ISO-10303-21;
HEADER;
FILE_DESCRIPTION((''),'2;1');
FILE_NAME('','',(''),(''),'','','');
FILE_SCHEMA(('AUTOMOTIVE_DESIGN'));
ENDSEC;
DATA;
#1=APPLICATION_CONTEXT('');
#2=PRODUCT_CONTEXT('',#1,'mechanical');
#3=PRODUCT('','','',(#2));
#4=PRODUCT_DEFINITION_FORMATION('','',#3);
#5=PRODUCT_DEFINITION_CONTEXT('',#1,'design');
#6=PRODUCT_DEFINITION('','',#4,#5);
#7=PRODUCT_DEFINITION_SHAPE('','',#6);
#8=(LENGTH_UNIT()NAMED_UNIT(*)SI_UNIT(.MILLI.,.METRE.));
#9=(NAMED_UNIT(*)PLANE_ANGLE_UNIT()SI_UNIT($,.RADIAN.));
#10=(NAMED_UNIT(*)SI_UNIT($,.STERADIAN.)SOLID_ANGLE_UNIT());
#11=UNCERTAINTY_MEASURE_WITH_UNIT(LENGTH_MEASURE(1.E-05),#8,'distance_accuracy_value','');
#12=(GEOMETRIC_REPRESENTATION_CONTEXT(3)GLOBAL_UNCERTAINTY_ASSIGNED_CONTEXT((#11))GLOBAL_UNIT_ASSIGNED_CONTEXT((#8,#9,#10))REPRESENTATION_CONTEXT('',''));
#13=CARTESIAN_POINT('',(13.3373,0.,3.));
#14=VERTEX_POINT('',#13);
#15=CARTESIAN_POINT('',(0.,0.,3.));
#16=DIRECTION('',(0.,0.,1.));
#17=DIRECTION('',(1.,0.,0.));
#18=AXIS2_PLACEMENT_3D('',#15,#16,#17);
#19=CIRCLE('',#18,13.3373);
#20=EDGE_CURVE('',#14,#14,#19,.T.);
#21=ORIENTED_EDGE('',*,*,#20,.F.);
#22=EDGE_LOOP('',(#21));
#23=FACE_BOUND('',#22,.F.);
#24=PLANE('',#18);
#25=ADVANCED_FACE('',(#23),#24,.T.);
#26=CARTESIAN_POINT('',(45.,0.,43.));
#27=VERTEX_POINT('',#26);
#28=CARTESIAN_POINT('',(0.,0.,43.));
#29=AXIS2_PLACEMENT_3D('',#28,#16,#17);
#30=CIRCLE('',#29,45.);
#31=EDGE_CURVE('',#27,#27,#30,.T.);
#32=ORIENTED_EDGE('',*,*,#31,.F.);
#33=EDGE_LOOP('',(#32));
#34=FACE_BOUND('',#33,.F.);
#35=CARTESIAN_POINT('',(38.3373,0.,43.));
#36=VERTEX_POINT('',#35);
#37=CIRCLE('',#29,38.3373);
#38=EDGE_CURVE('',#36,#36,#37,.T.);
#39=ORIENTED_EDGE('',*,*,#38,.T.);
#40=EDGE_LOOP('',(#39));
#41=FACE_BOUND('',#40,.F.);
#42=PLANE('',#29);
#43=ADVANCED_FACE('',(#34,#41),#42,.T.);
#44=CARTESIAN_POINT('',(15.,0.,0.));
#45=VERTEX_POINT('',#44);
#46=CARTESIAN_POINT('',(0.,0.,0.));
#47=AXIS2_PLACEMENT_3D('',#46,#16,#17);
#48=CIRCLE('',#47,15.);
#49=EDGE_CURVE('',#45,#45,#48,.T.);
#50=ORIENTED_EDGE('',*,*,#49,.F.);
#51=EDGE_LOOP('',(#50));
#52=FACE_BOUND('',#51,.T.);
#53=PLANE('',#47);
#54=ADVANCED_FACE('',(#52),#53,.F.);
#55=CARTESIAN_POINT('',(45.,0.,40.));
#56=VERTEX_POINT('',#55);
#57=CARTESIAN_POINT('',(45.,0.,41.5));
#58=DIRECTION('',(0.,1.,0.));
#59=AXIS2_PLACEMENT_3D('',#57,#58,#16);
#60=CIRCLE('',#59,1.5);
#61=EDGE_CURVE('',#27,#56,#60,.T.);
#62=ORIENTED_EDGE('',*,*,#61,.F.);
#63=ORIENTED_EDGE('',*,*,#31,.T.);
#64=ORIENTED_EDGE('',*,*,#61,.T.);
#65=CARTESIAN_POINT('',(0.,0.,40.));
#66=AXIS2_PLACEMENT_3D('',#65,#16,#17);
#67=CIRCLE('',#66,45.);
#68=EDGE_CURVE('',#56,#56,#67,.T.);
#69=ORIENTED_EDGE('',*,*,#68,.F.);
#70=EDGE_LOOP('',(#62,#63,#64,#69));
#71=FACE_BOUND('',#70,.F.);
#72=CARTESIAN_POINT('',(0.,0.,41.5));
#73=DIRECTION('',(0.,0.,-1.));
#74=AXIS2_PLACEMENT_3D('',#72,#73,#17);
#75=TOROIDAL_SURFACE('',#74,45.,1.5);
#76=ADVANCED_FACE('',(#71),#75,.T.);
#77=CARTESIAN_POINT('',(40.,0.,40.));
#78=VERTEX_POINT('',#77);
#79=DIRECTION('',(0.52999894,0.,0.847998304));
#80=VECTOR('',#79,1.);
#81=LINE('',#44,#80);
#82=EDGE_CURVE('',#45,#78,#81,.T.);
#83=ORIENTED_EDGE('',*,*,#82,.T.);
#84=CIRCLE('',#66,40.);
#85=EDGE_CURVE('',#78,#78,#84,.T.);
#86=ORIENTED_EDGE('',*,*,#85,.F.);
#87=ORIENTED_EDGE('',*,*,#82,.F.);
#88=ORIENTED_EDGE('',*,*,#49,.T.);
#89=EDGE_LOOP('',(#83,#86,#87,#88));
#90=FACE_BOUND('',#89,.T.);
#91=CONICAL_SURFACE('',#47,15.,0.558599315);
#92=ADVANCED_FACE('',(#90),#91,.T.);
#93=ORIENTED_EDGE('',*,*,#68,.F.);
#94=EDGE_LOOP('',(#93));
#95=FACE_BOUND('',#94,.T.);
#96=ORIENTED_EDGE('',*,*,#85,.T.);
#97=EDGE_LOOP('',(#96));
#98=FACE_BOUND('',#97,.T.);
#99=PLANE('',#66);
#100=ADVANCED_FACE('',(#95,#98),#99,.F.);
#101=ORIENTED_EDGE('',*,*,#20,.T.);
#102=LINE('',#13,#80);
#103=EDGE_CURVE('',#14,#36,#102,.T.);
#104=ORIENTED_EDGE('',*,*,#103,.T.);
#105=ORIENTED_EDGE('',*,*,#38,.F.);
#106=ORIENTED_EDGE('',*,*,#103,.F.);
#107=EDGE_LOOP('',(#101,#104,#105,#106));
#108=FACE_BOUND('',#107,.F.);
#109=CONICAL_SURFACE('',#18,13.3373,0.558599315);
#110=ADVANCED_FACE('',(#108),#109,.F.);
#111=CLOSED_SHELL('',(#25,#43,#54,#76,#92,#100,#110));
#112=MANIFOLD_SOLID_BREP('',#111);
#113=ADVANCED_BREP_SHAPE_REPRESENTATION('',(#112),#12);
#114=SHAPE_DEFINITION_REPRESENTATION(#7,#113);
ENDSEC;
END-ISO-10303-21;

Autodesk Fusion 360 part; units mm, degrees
sketch "Sketch1" plane through (0, 0, 0) normal (0, 1, 0) x (1, 0, 0) in component "bowl"
  line L0 (0, 0) -> (15, 0)
  line L1 (15, 0) -> (40, -40)
  line L2 (40, -40) -> (45, -40)
  line L3 (0, -3) -> (13.3373, -3)
  line L4 (13.3373, -3) -> (38.3373, -43)
  line L5 (38.3373, -43) -> (45, -43)
  arc A0 (45, -43) -> (45, -40) centre (45, -41.5) ccw
  line L6 (0, -3) -> (0, 0)
  dimension "d1" = 3
revolve "Revolve1" add sketch "Sketch1" angle 360 about axis through (0, 0, 1.75) along (0, 0, 1) in component "bowl"
component "bowl" placed x (1, 0, 0) y (0, 1, 0) z (0, 0, 1) at (0, 0, 0)
